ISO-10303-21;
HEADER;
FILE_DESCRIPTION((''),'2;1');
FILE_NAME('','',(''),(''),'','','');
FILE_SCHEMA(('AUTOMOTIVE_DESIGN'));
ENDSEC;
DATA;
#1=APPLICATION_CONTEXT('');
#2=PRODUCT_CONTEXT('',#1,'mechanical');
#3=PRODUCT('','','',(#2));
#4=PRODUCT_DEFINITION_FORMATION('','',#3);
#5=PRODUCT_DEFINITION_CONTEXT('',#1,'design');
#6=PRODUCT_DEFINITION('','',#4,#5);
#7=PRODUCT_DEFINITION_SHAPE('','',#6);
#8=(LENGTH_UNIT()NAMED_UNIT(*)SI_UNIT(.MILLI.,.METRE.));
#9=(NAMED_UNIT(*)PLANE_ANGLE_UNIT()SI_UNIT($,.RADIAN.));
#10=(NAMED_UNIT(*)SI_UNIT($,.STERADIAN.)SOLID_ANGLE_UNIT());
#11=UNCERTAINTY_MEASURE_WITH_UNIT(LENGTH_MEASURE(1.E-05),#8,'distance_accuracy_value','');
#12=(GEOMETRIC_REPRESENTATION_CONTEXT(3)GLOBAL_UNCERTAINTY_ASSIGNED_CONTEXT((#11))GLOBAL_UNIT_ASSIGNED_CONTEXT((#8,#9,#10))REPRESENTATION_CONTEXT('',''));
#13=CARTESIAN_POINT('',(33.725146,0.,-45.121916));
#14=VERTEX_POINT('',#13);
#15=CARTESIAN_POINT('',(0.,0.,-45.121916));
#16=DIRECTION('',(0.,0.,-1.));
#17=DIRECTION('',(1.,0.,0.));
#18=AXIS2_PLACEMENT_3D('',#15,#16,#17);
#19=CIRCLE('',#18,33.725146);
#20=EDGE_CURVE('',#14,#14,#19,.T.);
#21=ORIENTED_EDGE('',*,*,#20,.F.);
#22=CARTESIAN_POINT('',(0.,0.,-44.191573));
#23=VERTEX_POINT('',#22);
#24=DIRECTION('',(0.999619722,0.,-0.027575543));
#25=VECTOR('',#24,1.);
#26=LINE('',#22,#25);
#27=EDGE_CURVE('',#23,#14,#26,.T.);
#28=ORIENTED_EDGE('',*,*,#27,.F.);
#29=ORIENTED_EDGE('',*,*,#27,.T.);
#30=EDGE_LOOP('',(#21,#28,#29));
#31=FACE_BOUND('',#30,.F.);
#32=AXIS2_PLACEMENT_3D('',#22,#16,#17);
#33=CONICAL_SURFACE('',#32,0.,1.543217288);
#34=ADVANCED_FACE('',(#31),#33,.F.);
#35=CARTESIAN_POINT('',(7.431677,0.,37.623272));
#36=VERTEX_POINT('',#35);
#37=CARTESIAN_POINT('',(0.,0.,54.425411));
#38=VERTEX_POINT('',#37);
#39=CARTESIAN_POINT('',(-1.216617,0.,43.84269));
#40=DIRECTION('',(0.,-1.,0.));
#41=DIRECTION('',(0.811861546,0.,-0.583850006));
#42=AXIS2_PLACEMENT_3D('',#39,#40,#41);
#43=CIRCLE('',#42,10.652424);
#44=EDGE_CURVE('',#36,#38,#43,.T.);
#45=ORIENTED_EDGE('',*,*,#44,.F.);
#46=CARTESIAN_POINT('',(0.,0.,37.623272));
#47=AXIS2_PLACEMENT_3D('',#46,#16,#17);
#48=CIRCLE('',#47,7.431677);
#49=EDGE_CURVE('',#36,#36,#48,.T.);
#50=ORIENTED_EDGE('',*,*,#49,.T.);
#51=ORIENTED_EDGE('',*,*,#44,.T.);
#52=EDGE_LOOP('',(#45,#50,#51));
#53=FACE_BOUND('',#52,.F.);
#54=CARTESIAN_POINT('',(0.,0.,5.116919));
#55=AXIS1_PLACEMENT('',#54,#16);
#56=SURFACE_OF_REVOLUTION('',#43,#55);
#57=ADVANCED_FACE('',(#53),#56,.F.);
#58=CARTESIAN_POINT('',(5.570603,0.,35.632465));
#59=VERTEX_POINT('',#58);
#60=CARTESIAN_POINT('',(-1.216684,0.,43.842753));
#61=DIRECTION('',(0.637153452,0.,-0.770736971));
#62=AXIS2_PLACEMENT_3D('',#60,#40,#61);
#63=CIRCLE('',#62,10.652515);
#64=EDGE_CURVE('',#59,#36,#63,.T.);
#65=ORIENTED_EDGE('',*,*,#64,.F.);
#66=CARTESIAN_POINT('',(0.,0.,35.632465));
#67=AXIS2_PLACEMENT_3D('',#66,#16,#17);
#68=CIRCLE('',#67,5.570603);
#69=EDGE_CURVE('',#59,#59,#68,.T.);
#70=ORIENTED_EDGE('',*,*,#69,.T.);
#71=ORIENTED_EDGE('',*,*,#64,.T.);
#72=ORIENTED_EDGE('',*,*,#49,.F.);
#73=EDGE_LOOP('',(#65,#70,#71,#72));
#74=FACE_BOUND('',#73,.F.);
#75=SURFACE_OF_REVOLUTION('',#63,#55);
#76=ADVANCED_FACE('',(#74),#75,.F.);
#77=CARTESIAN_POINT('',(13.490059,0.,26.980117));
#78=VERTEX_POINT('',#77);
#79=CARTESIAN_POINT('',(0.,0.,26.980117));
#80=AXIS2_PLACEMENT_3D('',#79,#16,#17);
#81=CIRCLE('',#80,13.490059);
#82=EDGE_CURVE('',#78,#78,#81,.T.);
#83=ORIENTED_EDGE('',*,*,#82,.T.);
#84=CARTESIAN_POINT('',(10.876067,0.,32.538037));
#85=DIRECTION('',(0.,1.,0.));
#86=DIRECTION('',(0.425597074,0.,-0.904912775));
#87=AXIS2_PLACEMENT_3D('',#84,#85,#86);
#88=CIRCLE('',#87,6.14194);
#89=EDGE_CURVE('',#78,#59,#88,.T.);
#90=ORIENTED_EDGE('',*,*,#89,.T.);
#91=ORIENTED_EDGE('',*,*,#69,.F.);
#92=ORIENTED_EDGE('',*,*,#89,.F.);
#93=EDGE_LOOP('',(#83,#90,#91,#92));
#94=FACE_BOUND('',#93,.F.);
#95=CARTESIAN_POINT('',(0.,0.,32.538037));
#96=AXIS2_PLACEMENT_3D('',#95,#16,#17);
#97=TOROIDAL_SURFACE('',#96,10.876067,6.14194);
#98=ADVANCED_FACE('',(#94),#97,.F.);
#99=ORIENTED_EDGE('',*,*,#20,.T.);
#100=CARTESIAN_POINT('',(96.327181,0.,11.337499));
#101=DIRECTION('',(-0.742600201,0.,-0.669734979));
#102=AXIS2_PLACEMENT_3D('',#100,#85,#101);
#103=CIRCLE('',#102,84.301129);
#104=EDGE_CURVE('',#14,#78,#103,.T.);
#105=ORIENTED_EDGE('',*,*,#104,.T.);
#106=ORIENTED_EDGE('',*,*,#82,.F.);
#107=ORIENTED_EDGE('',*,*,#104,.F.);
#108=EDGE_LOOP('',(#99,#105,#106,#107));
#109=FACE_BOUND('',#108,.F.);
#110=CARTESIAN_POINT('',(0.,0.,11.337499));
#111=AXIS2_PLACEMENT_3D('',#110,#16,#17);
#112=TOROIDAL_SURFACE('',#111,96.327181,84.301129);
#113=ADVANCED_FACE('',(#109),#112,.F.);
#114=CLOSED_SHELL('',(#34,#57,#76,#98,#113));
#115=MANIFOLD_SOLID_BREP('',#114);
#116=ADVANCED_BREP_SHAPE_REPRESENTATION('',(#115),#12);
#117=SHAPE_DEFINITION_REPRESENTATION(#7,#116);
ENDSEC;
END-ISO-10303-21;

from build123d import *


with BuildPart() as f1:
    # F0 (on Front) → F1 (revolve)
    with BuildSketch(Plane.XZ):
        with BuildLine():
            ThreePointArc((7.431677, 37.623272), (8.52541, 48.151641), (0, 54.425411))
            Line((0, 54.425411), (0, 33.259969))
            ThreePointArc((0, 33.259969), (2.957414, 34.042098), (5.570603, 35.632465))
            ThreePointArc((5.570603, 35.632465), (6.389329, 36.732393), (7.431677, 37.623272))
        make_face()
        with BuildLine():
            ThreePointArc((5.570603, 35.632465), (2.957414, 34.042098), (0, 33.259969))
            Line((0, 33.259969), (0, -44.191573))
            Line((0, -44.191573), (33.725146, -45.121916))
            ThreePointArc((33.725146, -45.121916), (15.161838, -11.441162), (13.490059, 26.980117))
            ThreePointArc((13.490059, 26.980117), (6.345417, 28.391154), (5.570603, 35.632465))
        make_face()
        with BuildLine():
            ThreePointArc((5.570603, 35.632465), (6.565066, 36.568108), (7.431677, 37.623272))
            ThreePointArc((7.431677, 37.623272), (6.389329, 36.732393), (5.570603, 35.632465))
        make_face()
    revolve(axis=Axis((0, 0, 5.116919), (0, 0, -1)))


solid = f1.part
